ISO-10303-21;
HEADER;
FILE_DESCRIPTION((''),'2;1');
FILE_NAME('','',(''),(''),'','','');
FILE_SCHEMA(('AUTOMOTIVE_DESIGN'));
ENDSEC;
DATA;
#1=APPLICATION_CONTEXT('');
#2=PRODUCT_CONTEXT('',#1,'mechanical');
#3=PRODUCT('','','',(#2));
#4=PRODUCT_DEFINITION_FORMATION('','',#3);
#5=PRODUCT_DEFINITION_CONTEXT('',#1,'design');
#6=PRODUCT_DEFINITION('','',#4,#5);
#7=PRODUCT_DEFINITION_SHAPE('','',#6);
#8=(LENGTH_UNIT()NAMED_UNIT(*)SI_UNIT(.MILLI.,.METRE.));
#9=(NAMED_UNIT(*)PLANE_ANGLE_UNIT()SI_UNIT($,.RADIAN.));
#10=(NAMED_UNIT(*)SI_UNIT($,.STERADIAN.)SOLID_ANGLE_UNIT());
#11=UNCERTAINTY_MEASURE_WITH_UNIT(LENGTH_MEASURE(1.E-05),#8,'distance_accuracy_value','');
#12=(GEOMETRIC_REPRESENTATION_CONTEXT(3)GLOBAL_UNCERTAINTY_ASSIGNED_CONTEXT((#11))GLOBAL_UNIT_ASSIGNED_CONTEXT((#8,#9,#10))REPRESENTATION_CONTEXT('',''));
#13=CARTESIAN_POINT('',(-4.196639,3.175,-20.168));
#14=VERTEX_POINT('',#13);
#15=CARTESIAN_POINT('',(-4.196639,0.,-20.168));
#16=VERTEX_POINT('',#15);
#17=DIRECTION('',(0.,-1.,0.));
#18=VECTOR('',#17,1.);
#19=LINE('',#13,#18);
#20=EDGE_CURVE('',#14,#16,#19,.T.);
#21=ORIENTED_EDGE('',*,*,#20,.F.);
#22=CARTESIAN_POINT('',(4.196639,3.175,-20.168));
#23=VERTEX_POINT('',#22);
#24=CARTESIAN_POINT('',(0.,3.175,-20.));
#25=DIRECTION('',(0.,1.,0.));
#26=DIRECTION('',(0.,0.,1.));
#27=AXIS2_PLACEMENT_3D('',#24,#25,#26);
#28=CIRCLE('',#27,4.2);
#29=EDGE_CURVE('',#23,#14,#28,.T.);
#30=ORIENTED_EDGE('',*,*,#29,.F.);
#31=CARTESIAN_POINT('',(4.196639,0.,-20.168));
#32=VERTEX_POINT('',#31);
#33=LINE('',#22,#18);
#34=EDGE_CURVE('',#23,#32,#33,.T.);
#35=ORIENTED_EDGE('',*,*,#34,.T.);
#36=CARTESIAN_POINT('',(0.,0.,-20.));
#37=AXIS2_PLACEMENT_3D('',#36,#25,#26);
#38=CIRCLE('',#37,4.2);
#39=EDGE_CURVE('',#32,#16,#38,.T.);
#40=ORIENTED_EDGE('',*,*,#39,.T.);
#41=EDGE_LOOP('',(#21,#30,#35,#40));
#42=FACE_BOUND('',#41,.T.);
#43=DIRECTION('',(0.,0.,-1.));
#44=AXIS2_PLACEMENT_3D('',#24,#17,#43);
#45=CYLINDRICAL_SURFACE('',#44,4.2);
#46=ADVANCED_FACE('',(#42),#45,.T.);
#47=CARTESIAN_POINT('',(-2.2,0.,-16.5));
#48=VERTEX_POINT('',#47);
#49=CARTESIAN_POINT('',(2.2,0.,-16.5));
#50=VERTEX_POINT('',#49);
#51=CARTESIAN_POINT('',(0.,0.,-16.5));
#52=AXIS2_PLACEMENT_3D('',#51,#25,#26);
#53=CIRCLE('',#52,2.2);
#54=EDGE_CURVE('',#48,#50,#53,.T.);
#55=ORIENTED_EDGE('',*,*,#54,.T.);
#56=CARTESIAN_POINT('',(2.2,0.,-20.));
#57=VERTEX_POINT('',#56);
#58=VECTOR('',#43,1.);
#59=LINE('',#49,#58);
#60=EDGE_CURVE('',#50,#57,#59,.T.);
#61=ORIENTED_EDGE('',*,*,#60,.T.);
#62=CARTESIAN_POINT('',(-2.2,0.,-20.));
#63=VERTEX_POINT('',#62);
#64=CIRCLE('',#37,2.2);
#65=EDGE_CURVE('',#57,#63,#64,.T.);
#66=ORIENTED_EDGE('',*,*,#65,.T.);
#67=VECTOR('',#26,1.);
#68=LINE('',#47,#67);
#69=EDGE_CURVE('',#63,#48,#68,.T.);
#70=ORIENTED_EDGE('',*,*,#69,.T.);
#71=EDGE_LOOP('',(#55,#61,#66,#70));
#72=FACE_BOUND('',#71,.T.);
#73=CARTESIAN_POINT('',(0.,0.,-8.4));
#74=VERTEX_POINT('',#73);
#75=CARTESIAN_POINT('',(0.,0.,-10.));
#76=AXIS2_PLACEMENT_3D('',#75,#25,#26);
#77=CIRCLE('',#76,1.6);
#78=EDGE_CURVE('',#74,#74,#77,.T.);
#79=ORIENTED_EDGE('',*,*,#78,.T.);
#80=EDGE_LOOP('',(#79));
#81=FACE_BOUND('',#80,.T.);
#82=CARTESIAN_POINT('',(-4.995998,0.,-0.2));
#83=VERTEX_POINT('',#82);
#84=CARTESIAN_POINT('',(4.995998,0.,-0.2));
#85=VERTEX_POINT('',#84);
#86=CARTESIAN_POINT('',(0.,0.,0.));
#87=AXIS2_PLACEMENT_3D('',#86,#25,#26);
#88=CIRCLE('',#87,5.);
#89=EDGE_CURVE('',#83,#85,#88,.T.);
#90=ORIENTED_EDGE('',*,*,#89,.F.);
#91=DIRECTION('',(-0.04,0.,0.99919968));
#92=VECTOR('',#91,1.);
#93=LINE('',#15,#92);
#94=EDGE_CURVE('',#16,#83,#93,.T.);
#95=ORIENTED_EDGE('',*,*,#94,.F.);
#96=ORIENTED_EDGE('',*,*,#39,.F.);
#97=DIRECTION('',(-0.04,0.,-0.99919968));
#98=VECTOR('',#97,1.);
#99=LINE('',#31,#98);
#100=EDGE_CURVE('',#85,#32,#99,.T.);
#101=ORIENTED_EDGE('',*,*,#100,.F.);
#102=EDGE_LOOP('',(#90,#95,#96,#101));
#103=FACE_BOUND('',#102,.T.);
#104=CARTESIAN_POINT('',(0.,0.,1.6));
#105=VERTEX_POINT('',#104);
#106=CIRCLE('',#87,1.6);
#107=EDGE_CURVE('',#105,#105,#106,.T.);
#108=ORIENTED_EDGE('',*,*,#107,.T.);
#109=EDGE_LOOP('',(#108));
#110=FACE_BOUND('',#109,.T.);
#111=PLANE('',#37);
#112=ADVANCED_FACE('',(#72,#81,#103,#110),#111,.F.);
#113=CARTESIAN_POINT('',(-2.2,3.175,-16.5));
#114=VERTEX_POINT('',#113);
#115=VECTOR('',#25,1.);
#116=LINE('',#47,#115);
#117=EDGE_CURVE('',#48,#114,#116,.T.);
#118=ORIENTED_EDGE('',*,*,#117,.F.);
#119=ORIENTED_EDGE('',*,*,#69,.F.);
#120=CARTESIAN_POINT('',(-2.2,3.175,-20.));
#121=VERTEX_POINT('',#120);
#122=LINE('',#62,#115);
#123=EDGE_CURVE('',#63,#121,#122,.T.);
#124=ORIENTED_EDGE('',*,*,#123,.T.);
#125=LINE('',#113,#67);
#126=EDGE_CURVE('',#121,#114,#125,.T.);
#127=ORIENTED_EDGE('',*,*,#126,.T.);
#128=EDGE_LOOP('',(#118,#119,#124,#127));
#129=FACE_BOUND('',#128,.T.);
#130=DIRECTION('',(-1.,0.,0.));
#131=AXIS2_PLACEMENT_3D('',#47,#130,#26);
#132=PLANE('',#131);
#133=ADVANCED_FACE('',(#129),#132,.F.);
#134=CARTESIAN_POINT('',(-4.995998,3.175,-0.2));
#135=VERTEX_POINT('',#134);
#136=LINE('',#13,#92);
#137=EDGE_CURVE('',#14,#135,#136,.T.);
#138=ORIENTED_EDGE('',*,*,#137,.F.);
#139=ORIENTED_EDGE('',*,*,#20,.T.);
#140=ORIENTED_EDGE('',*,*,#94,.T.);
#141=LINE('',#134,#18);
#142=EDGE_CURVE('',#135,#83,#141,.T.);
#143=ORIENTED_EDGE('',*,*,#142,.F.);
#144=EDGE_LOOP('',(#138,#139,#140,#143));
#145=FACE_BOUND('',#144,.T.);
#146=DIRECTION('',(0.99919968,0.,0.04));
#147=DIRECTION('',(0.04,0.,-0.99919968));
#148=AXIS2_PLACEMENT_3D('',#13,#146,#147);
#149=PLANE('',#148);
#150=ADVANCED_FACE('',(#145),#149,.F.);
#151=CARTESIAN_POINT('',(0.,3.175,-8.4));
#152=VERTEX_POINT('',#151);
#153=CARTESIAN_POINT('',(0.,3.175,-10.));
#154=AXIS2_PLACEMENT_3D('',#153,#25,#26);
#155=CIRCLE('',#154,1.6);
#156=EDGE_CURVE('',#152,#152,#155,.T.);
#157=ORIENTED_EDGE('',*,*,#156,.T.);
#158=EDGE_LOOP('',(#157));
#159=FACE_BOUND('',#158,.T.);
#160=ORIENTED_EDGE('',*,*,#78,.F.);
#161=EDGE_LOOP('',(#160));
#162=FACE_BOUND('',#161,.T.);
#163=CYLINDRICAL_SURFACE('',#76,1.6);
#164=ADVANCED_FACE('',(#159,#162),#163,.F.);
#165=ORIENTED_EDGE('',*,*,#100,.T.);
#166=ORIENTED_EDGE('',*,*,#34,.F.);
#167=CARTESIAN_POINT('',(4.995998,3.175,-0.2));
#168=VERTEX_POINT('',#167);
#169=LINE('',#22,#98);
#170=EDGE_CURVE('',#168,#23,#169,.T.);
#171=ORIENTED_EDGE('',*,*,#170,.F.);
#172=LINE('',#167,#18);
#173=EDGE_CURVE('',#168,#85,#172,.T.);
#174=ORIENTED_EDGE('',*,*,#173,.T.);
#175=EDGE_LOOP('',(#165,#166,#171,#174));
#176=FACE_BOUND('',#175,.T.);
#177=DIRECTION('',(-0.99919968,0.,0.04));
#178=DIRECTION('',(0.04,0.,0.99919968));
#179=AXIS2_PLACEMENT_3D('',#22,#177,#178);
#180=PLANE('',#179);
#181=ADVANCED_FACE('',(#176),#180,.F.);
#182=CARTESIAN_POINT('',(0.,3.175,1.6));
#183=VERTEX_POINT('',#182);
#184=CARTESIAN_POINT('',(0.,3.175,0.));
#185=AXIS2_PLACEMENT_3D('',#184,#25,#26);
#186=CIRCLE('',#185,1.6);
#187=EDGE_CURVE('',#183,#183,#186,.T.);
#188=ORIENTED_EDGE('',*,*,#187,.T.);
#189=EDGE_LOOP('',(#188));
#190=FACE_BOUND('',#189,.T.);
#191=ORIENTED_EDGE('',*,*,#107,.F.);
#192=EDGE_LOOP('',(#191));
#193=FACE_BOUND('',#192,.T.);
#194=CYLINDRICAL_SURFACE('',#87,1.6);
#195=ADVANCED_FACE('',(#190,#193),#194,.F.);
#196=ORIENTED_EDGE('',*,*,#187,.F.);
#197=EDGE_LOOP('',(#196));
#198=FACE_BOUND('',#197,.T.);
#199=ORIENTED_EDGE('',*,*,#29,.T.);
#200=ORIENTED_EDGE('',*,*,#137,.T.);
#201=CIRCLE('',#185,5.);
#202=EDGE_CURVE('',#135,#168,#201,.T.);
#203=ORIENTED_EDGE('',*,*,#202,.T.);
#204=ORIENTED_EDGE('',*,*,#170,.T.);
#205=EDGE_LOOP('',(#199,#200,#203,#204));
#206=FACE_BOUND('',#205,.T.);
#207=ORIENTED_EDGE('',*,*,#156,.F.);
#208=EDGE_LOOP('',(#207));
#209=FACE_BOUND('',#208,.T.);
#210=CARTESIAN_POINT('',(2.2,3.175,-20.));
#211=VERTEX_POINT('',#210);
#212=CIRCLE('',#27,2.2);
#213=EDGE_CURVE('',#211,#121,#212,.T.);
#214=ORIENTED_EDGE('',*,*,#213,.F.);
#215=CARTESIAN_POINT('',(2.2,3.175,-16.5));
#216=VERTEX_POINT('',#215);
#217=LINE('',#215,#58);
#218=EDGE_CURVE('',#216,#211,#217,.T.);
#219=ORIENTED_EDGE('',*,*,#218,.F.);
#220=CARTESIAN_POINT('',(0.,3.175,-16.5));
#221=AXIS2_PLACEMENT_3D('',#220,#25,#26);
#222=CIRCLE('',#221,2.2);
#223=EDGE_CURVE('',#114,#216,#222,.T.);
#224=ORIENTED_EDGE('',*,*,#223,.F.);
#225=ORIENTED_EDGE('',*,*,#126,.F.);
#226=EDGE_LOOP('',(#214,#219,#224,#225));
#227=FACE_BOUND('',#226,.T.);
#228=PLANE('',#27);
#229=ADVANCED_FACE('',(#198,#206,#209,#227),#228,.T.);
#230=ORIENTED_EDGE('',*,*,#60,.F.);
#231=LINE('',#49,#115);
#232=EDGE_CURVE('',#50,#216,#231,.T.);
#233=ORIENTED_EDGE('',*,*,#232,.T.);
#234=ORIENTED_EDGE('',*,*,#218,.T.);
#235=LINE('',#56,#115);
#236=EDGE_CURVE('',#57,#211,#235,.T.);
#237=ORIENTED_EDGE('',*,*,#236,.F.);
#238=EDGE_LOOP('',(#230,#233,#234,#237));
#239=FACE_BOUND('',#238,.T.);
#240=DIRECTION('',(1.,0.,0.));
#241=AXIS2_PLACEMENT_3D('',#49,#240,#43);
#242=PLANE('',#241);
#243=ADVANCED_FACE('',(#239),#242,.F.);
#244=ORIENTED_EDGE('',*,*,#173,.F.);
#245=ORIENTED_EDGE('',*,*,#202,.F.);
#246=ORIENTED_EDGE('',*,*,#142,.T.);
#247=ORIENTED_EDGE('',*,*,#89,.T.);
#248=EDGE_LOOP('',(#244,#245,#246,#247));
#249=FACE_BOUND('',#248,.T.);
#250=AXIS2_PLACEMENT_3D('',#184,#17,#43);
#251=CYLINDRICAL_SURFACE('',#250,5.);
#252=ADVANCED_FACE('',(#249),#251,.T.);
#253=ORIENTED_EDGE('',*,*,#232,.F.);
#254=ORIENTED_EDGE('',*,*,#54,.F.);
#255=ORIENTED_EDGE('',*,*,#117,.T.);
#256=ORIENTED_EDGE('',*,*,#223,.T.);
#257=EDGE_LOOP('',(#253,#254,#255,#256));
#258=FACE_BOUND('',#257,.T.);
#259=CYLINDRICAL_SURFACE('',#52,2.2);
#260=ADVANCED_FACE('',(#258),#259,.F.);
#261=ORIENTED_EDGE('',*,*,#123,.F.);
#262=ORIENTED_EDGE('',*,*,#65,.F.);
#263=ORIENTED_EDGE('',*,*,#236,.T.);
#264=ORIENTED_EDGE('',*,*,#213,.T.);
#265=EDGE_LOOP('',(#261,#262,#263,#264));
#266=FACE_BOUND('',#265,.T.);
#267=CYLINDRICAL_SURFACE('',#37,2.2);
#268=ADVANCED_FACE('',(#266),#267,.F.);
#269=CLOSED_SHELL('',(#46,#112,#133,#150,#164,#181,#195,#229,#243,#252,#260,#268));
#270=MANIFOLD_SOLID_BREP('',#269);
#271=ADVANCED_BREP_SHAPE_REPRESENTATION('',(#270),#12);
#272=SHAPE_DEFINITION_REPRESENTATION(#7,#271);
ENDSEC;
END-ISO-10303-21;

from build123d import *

# Parameters (mm, degrees)
BOSS_EXTRUDE1_DEPTH = 3.175
SKETCH2_R           = 1.6
CUT_EXTRUDE1_DEPTH  = 25.914265492
CUT_EXTRUDE2_DEPTH  = 25.914265492


with BuildPart() as part:
    # Sketch1 → Boss-Extrude1 (new body)
    with BuildSketch(Plane(origin=(0, 0, 0), x_dir=(1, 0, 0), z_dir=(0, 1, 0))):
        with BuildLine():
            Line((-4.196638655, 20.168), (-4.995998399, 0.2))
            ThreePointArc((-4.995998399, 0.2), (0, -5), (4.995998399, 0.2))
            Line((4.995998399, 0.2), (4.196638655, 20.168))
            ThreePointArc((4.196638655, 20.168), (0, 24.2), (-4.196638655, 20.168))
        make_face()
    extrude(amount=BOSS_EXTRUDE1_DEPTH)

    # Sketch2 → Cut-Extrude1 (cut, through all)
    with BuildSketch(Plane(origin=(0, 3.175, 0), x_dir=(1, 0, 0), z_dir=(0, 1, 0))):
        with Locations(Location((0, 0, 0), (0, 0, 270))):
            Circle(SKETCH2_R)
        with Locations(Location((0, 10, 0), (0, 0, 270))):
            Circle(SKETCH2_R)
    extrude(amount=-CUT_EXTRUDE1_DEPTH, mode=Mode.SUBTRACT)

    # Sketch3 → Cut-Extrude2 (cut, through all)
    with BuildSketch(Plane(origin=(0, 3.175, 0), x_dir=(1, 0, 0), z_dir=(0, 1, 0))):
        with BuildLine():
            Line((-2.2, 16.5), (-2.2, 20))
            ThreePointArc((-2.2, 20), (0, 22.2), (2.2, 20))
            Line((2.2, 20), (2.2, 16.5))
            ThreePointArc((2.2, 16.5), (0, 14.3), (-2.2, 16.5))
        make_face()
    extrude(amount=-CUT_EXTRUDE2_DEPTH, mode=Mode.SUBTRACT)


solid = part.part
